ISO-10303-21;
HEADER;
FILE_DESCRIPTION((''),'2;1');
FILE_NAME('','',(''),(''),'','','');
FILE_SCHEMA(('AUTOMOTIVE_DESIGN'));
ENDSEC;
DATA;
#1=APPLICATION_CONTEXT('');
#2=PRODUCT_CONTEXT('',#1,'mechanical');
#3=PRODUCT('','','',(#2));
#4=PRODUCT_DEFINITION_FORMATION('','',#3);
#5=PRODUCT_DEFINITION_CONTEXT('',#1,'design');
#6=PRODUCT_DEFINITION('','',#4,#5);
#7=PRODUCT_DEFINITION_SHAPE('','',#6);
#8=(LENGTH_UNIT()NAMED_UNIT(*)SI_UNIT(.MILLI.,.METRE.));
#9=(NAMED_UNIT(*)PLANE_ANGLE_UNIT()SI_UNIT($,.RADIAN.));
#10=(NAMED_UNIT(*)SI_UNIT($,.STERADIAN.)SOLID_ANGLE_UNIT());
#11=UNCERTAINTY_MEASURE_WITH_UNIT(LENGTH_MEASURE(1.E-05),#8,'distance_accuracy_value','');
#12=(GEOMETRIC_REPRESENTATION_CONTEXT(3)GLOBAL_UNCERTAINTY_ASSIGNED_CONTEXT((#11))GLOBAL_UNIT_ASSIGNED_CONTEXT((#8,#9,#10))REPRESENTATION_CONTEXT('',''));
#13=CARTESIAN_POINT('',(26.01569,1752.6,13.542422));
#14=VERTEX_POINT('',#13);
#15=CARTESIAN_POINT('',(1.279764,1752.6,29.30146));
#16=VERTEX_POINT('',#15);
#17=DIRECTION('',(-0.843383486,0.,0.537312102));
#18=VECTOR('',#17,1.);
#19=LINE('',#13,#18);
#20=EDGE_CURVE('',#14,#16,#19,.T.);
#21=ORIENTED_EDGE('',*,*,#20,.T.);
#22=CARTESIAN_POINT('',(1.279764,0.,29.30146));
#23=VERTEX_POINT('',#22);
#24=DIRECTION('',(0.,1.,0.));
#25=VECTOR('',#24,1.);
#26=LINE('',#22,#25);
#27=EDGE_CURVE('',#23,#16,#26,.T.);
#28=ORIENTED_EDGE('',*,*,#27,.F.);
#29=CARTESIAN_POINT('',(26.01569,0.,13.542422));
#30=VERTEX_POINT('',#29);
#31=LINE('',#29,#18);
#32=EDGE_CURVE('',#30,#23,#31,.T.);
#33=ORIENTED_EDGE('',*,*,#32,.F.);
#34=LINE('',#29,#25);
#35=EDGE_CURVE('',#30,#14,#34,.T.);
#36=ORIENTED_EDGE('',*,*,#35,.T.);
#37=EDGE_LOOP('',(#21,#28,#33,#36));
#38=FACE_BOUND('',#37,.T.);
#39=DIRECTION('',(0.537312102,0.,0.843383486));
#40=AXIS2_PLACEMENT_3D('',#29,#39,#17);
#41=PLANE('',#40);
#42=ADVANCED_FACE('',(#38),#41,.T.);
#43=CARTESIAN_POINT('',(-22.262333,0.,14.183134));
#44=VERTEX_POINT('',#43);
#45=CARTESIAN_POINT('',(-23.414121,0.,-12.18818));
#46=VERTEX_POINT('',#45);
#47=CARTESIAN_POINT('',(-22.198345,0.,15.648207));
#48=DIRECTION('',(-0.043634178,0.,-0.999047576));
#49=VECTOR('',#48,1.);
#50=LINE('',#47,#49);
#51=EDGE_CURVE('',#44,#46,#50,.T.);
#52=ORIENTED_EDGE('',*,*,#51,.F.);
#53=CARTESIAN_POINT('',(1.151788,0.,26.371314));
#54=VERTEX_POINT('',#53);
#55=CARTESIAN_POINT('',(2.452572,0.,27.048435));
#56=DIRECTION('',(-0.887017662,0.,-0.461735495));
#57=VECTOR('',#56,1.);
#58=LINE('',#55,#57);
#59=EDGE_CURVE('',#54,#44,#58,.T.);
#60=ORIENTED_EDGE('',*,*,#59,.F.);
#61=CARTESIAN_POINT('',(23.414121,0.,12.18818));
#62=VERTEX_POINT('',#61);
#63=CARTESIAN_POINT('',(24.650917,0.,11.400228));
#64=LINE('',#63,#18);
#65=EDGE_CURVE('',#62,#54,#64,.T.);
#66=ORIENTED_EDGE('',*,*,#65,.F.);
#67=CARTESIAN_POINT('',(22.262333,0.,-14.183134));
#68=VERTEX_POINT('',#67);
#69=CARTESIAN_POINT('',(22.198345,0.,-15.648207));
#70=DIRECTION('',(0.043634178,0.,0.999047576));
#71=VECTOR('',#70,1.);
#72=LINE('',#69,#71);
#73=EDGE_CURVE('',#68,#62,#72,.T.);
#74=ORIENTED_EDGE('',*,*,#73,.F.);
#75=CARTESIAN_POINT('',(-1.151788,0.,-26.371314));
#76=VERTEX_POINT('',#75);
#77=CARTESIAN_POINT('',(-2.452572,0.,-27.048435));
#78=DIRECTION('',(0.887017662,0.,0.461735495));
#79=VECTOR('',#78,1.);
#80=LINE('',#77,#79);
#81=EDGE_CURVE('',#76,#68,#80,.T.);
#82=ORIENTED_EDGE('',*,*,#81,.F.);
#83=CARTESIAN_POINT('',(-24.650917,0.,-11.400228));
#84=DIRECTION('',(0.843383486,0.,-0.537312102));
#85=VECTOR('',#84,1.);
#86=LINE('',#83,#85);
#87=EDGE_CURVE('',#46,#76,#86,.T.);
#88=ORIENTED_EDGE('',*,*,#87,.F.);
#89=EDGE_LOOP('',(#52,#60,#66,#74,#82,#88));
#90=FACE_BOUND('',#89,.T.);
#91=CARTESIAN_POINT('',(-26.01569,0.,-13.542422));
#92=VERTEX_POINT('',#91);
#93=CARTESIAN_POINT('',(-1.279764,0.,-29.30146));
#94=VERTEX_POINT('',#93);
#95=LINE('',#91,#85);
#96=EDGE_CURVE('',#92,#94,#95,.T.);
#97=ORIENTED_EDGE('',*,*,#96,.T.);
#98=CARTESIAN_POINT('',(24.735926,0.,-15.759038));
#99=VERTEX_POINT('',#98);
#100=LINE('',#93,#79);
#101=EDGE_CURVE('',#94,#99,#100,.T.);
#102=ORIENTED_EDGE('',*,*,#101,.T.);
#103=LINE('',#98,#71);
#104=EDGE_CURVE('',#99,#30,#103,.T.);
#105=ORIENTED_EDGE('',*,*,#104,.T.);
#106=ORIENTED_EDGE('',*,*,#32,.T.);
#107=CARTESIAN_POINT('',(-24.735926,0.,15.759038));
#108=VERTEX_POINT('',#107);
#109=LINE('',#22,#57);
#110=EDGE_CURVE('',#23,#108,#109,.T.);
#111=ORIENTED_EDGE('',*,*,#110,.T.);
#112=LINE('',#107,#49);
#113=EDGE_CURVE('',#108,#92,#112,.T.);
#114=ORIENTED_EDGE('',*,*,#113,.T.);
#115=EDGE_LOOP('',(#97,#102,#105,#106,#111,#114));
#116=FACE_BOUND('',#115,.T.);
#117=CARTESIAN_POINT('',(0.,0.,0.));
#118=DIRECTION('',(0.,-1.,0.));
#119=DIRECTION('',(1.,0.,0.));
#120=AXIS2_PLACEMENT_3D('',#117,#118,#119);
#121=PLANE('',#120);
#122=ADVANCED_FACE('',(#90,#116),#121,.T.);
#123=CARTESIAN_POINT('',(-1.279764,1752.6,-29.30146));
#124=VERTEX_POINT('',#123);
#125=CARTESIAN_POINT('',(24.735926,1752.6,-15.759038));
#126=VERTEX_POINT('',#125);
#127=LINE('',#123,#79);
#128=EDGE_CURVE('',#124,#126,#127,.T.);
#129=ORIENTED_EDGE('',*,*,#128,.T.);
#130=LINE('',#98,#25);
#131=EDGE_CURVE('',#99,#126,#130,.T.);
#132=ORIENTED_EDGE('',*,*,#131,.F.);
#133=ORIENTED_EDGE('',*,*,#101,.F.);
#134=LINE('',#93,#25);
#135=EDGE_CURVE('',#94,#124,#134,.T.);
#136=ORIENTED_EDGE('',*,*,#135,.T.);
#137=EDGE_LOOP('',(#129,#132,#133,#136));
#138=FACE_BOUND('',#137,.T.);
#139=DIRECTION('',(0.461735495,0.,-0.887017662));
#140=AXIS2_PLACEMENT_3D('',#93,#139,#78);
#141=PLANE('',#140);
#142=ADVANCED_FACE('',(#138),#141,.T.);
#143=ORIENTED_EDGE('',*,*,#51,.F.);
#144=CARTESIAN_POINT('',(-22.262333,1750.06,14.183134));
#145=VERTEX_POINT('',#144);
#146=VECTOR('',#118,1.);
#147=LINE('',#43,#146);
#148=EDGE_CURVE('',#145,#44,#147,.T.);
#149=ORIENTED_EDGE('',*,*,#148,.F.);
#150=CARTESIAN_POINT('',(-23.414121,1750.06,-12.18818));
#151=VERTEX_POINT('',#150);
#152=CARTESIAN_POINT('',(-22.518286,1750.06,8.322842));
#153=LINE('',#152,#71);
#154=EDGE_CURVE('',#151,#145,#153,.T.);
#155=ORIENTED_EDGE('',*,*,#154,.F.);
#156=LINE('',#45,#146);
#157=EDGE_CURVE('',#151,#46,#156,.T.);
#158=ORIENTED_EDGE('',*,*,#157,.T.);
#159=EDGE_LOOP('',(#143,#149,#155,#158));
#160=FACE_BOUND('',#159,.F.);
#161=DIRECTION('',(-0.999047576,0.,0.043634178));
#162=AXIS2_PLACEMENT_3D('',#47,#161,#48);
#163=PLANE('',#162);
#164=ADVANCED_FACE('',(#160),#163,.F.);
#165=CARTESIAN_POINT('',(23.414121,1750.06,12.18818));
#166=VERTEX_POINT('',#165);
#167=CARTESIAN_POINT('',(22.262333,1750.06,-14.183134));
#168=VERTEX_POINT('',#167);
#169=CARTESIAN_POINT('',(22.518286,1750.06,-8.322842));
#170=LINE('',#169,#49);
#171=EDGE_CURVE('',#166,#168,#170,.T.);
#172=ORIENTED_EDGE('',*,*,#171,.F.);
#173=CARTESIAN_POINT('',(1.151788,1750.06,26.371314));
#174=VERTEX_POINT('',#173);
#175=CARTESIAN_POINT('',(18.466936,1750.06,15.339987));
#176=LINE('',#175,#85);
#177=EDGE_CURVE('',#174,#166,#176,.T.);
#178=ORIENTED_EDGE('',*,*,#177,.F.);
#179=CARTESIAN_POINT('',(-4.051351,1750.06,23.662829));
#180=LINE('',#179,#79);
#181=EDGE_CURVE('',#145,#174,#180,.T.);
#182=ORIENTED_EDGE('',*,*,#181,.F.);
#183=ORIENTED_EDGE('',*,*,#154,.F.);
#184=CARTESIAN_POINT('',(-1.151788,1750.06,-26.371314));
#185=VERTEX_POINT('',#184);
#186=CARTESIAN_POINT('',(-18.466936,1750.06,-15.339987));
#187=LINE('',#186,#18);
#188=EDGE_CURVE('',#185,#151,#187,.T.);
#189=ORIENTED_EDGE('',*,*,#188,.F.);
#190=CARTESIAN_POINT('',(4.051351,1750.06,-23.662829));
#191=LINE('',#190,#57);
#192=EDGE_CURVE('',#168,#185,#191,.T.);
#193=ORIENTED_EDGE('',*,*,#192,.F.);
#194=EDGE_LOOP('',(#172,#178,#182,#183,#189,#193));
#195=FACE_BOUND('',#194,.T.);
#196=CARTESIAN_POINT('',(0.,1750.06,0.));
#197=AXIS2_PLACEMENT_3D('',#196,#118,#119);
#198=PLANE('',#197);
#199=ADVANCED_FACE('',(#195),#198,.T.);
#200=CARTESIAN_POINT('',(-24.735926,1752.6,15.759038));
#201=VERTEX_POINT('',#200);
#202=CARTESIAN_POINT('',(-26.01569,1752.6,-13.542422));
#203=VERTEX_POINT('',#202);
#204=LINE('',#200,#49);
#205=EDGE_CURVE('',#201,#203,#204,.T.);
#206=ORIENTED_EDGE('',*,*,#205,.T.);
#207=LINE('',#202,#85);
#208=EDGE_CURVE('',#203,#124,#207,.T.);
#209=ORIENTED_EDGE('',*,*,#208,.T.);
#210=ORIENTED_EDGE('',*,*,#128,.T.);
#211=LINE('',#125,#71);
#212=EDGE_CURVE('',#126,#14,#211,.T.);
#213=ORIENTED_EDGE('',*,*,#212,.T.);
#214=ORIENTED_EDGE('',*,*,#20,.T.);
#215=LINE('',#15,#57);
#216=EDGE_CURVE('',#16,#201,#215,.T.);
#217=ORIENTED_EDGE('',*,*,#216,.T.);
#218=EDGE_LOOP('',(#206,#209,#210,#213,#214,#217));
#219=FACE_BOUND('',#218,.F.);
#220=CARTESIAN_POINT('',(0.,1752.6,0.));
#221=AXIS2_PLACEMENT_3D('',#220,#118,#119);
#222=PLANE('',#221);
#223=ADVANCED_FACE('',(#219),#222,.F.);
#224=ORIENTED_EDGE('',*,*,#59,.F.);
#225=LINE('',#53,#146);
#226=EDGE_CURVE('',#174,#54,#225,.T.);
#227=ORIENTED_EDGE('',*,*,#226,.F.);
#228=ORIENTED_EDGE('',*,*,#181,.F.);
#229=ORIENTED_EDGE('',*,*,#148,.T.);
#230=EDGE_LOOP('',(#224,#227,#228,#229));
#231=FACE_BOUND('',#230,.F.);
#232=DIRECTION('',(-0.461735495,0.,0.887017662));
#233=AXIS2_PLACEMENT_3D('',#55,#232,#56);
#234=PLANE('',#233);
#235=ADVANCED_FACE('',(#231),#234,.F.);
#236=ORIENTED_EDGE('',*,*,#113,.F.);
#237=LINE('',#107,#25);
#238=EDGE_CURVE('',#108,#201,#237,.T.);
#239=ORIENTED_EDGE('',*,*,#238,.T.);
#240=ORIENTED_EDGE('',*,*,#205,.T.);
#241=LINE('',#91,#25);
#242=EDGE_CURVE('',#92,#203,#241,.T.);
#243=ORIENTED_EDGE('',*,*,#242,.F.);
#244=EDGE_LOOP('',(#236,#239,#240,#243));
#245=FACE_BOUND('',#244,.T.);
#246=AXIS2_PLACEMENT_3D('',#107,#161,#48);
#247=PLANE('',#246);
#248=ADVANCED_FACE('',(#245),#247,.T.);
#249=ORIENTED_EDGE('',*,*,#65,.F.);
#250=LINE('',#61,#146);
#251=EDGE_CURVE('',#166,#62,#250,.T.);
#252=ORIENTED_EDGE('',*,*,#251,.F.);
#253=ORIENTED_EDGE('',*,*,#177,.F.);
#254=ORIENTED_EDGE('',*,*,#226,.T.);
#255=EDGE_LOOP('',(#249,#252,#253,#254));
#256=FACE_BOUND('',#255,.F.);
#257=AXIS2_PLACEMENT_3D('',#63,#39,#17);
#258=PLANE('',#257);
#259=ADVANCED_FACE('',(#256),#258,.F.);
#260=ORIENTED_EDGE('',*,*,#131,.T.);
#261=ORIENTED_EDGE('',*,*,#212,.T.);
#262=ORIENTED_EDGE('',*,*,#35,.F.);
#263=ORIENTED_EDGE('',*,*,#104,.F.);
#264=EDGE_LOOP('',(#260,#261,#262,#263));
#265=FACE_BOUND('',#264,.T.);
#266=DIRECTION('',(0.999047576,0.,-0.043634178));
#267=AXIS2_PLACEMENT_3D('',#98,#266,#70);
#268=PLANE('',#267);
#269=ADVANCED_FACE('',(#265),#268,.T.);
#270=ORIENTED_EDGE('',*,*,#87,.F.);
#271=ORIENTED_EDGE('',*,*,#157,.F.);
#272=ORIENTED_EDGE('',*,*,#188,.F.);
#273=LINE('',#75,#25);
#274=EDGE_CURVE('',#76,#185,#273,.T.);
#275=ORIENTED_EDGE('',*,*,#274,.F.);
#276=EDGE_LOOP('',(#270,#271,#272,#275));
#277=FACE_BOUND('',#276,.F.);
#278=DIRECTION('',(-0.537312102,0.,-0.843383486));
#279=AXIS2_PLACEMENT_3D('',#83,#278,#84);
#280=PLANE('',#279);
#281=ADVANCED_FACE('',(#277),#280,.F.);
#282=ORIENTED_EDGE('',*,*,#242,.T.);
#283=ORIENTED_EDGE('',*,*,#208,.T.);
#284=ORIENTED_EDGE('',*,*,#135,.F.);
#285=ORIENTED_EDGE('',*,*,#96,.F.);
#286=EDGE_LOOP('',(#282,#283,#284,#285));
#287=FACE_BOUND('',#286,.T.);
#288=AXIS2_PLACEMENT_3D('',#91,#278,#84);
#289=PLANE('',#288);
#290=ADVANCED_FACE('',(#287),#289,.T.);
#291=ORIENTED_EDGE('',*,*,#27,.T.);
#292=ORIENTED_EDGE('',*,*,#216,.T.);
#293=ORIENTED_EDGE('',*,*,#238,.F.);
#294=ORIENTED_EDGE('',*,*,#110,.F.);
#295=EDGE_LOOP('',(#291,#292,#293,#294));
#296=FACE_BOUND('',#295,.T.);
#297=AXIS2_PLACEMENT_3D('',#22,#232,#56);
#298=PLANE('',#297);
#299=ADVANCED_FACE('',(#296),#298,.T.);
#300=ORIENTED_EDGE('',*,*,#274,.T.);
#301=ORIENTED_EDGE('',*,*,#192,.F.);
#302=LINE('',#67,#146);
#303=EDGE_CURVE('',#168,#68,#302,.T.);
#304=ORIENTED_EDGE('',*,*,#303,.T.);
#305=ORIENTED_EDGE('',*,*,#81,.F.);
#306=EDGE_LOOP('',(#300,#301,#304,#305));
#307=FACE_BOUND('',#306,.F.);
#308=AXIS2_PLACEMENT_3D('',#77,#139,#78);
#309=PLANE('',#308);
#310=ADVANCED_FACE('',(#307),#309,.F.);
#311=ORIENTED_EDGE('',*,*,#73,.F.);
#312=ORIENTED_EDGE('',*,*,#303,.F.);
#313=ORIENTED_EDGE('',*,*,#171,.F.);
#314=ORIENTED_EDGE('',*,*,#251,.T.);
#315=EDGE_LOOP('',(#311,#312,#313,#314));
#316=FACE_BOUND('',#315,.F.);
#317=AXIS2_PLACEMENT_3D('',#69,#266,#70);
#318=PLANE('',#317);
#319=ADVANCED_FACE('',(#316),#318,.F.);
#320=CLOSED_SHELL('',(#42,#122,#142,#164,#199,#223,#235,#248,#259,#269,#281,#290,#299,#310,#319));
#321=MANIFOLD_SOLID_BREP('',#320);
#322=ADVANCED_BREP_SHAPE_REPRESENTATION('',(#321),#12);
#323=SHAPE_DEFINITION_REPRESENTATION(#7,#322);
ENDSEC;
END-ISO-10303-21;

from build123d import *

# Parameters (mm, degrees)
F1_DEPTH = 1752.6
F2_T     = -2.54


with BuildPart() as f1:
    # F0 (on Front) → F1 (new body)
    with BuildSketch(Plane.XZ):
        Polygon((-1.279764, -29.30146), (24.735926, -15.759038), (26.01569, 13.542422), (1.279764, 29.30146), (-24.735926, 15.759038), (-26.01569, -13.542422), align=None)
    extrude(amount=-F1_DEPTH)

    # F2
    f2_openings = [f1.faces().sort_by_distance(p)[0] for p in [
        (0, 0, 0),
    ]]
    offset(amount=F2_T, openings=f2_openings)


solid = f1.part
